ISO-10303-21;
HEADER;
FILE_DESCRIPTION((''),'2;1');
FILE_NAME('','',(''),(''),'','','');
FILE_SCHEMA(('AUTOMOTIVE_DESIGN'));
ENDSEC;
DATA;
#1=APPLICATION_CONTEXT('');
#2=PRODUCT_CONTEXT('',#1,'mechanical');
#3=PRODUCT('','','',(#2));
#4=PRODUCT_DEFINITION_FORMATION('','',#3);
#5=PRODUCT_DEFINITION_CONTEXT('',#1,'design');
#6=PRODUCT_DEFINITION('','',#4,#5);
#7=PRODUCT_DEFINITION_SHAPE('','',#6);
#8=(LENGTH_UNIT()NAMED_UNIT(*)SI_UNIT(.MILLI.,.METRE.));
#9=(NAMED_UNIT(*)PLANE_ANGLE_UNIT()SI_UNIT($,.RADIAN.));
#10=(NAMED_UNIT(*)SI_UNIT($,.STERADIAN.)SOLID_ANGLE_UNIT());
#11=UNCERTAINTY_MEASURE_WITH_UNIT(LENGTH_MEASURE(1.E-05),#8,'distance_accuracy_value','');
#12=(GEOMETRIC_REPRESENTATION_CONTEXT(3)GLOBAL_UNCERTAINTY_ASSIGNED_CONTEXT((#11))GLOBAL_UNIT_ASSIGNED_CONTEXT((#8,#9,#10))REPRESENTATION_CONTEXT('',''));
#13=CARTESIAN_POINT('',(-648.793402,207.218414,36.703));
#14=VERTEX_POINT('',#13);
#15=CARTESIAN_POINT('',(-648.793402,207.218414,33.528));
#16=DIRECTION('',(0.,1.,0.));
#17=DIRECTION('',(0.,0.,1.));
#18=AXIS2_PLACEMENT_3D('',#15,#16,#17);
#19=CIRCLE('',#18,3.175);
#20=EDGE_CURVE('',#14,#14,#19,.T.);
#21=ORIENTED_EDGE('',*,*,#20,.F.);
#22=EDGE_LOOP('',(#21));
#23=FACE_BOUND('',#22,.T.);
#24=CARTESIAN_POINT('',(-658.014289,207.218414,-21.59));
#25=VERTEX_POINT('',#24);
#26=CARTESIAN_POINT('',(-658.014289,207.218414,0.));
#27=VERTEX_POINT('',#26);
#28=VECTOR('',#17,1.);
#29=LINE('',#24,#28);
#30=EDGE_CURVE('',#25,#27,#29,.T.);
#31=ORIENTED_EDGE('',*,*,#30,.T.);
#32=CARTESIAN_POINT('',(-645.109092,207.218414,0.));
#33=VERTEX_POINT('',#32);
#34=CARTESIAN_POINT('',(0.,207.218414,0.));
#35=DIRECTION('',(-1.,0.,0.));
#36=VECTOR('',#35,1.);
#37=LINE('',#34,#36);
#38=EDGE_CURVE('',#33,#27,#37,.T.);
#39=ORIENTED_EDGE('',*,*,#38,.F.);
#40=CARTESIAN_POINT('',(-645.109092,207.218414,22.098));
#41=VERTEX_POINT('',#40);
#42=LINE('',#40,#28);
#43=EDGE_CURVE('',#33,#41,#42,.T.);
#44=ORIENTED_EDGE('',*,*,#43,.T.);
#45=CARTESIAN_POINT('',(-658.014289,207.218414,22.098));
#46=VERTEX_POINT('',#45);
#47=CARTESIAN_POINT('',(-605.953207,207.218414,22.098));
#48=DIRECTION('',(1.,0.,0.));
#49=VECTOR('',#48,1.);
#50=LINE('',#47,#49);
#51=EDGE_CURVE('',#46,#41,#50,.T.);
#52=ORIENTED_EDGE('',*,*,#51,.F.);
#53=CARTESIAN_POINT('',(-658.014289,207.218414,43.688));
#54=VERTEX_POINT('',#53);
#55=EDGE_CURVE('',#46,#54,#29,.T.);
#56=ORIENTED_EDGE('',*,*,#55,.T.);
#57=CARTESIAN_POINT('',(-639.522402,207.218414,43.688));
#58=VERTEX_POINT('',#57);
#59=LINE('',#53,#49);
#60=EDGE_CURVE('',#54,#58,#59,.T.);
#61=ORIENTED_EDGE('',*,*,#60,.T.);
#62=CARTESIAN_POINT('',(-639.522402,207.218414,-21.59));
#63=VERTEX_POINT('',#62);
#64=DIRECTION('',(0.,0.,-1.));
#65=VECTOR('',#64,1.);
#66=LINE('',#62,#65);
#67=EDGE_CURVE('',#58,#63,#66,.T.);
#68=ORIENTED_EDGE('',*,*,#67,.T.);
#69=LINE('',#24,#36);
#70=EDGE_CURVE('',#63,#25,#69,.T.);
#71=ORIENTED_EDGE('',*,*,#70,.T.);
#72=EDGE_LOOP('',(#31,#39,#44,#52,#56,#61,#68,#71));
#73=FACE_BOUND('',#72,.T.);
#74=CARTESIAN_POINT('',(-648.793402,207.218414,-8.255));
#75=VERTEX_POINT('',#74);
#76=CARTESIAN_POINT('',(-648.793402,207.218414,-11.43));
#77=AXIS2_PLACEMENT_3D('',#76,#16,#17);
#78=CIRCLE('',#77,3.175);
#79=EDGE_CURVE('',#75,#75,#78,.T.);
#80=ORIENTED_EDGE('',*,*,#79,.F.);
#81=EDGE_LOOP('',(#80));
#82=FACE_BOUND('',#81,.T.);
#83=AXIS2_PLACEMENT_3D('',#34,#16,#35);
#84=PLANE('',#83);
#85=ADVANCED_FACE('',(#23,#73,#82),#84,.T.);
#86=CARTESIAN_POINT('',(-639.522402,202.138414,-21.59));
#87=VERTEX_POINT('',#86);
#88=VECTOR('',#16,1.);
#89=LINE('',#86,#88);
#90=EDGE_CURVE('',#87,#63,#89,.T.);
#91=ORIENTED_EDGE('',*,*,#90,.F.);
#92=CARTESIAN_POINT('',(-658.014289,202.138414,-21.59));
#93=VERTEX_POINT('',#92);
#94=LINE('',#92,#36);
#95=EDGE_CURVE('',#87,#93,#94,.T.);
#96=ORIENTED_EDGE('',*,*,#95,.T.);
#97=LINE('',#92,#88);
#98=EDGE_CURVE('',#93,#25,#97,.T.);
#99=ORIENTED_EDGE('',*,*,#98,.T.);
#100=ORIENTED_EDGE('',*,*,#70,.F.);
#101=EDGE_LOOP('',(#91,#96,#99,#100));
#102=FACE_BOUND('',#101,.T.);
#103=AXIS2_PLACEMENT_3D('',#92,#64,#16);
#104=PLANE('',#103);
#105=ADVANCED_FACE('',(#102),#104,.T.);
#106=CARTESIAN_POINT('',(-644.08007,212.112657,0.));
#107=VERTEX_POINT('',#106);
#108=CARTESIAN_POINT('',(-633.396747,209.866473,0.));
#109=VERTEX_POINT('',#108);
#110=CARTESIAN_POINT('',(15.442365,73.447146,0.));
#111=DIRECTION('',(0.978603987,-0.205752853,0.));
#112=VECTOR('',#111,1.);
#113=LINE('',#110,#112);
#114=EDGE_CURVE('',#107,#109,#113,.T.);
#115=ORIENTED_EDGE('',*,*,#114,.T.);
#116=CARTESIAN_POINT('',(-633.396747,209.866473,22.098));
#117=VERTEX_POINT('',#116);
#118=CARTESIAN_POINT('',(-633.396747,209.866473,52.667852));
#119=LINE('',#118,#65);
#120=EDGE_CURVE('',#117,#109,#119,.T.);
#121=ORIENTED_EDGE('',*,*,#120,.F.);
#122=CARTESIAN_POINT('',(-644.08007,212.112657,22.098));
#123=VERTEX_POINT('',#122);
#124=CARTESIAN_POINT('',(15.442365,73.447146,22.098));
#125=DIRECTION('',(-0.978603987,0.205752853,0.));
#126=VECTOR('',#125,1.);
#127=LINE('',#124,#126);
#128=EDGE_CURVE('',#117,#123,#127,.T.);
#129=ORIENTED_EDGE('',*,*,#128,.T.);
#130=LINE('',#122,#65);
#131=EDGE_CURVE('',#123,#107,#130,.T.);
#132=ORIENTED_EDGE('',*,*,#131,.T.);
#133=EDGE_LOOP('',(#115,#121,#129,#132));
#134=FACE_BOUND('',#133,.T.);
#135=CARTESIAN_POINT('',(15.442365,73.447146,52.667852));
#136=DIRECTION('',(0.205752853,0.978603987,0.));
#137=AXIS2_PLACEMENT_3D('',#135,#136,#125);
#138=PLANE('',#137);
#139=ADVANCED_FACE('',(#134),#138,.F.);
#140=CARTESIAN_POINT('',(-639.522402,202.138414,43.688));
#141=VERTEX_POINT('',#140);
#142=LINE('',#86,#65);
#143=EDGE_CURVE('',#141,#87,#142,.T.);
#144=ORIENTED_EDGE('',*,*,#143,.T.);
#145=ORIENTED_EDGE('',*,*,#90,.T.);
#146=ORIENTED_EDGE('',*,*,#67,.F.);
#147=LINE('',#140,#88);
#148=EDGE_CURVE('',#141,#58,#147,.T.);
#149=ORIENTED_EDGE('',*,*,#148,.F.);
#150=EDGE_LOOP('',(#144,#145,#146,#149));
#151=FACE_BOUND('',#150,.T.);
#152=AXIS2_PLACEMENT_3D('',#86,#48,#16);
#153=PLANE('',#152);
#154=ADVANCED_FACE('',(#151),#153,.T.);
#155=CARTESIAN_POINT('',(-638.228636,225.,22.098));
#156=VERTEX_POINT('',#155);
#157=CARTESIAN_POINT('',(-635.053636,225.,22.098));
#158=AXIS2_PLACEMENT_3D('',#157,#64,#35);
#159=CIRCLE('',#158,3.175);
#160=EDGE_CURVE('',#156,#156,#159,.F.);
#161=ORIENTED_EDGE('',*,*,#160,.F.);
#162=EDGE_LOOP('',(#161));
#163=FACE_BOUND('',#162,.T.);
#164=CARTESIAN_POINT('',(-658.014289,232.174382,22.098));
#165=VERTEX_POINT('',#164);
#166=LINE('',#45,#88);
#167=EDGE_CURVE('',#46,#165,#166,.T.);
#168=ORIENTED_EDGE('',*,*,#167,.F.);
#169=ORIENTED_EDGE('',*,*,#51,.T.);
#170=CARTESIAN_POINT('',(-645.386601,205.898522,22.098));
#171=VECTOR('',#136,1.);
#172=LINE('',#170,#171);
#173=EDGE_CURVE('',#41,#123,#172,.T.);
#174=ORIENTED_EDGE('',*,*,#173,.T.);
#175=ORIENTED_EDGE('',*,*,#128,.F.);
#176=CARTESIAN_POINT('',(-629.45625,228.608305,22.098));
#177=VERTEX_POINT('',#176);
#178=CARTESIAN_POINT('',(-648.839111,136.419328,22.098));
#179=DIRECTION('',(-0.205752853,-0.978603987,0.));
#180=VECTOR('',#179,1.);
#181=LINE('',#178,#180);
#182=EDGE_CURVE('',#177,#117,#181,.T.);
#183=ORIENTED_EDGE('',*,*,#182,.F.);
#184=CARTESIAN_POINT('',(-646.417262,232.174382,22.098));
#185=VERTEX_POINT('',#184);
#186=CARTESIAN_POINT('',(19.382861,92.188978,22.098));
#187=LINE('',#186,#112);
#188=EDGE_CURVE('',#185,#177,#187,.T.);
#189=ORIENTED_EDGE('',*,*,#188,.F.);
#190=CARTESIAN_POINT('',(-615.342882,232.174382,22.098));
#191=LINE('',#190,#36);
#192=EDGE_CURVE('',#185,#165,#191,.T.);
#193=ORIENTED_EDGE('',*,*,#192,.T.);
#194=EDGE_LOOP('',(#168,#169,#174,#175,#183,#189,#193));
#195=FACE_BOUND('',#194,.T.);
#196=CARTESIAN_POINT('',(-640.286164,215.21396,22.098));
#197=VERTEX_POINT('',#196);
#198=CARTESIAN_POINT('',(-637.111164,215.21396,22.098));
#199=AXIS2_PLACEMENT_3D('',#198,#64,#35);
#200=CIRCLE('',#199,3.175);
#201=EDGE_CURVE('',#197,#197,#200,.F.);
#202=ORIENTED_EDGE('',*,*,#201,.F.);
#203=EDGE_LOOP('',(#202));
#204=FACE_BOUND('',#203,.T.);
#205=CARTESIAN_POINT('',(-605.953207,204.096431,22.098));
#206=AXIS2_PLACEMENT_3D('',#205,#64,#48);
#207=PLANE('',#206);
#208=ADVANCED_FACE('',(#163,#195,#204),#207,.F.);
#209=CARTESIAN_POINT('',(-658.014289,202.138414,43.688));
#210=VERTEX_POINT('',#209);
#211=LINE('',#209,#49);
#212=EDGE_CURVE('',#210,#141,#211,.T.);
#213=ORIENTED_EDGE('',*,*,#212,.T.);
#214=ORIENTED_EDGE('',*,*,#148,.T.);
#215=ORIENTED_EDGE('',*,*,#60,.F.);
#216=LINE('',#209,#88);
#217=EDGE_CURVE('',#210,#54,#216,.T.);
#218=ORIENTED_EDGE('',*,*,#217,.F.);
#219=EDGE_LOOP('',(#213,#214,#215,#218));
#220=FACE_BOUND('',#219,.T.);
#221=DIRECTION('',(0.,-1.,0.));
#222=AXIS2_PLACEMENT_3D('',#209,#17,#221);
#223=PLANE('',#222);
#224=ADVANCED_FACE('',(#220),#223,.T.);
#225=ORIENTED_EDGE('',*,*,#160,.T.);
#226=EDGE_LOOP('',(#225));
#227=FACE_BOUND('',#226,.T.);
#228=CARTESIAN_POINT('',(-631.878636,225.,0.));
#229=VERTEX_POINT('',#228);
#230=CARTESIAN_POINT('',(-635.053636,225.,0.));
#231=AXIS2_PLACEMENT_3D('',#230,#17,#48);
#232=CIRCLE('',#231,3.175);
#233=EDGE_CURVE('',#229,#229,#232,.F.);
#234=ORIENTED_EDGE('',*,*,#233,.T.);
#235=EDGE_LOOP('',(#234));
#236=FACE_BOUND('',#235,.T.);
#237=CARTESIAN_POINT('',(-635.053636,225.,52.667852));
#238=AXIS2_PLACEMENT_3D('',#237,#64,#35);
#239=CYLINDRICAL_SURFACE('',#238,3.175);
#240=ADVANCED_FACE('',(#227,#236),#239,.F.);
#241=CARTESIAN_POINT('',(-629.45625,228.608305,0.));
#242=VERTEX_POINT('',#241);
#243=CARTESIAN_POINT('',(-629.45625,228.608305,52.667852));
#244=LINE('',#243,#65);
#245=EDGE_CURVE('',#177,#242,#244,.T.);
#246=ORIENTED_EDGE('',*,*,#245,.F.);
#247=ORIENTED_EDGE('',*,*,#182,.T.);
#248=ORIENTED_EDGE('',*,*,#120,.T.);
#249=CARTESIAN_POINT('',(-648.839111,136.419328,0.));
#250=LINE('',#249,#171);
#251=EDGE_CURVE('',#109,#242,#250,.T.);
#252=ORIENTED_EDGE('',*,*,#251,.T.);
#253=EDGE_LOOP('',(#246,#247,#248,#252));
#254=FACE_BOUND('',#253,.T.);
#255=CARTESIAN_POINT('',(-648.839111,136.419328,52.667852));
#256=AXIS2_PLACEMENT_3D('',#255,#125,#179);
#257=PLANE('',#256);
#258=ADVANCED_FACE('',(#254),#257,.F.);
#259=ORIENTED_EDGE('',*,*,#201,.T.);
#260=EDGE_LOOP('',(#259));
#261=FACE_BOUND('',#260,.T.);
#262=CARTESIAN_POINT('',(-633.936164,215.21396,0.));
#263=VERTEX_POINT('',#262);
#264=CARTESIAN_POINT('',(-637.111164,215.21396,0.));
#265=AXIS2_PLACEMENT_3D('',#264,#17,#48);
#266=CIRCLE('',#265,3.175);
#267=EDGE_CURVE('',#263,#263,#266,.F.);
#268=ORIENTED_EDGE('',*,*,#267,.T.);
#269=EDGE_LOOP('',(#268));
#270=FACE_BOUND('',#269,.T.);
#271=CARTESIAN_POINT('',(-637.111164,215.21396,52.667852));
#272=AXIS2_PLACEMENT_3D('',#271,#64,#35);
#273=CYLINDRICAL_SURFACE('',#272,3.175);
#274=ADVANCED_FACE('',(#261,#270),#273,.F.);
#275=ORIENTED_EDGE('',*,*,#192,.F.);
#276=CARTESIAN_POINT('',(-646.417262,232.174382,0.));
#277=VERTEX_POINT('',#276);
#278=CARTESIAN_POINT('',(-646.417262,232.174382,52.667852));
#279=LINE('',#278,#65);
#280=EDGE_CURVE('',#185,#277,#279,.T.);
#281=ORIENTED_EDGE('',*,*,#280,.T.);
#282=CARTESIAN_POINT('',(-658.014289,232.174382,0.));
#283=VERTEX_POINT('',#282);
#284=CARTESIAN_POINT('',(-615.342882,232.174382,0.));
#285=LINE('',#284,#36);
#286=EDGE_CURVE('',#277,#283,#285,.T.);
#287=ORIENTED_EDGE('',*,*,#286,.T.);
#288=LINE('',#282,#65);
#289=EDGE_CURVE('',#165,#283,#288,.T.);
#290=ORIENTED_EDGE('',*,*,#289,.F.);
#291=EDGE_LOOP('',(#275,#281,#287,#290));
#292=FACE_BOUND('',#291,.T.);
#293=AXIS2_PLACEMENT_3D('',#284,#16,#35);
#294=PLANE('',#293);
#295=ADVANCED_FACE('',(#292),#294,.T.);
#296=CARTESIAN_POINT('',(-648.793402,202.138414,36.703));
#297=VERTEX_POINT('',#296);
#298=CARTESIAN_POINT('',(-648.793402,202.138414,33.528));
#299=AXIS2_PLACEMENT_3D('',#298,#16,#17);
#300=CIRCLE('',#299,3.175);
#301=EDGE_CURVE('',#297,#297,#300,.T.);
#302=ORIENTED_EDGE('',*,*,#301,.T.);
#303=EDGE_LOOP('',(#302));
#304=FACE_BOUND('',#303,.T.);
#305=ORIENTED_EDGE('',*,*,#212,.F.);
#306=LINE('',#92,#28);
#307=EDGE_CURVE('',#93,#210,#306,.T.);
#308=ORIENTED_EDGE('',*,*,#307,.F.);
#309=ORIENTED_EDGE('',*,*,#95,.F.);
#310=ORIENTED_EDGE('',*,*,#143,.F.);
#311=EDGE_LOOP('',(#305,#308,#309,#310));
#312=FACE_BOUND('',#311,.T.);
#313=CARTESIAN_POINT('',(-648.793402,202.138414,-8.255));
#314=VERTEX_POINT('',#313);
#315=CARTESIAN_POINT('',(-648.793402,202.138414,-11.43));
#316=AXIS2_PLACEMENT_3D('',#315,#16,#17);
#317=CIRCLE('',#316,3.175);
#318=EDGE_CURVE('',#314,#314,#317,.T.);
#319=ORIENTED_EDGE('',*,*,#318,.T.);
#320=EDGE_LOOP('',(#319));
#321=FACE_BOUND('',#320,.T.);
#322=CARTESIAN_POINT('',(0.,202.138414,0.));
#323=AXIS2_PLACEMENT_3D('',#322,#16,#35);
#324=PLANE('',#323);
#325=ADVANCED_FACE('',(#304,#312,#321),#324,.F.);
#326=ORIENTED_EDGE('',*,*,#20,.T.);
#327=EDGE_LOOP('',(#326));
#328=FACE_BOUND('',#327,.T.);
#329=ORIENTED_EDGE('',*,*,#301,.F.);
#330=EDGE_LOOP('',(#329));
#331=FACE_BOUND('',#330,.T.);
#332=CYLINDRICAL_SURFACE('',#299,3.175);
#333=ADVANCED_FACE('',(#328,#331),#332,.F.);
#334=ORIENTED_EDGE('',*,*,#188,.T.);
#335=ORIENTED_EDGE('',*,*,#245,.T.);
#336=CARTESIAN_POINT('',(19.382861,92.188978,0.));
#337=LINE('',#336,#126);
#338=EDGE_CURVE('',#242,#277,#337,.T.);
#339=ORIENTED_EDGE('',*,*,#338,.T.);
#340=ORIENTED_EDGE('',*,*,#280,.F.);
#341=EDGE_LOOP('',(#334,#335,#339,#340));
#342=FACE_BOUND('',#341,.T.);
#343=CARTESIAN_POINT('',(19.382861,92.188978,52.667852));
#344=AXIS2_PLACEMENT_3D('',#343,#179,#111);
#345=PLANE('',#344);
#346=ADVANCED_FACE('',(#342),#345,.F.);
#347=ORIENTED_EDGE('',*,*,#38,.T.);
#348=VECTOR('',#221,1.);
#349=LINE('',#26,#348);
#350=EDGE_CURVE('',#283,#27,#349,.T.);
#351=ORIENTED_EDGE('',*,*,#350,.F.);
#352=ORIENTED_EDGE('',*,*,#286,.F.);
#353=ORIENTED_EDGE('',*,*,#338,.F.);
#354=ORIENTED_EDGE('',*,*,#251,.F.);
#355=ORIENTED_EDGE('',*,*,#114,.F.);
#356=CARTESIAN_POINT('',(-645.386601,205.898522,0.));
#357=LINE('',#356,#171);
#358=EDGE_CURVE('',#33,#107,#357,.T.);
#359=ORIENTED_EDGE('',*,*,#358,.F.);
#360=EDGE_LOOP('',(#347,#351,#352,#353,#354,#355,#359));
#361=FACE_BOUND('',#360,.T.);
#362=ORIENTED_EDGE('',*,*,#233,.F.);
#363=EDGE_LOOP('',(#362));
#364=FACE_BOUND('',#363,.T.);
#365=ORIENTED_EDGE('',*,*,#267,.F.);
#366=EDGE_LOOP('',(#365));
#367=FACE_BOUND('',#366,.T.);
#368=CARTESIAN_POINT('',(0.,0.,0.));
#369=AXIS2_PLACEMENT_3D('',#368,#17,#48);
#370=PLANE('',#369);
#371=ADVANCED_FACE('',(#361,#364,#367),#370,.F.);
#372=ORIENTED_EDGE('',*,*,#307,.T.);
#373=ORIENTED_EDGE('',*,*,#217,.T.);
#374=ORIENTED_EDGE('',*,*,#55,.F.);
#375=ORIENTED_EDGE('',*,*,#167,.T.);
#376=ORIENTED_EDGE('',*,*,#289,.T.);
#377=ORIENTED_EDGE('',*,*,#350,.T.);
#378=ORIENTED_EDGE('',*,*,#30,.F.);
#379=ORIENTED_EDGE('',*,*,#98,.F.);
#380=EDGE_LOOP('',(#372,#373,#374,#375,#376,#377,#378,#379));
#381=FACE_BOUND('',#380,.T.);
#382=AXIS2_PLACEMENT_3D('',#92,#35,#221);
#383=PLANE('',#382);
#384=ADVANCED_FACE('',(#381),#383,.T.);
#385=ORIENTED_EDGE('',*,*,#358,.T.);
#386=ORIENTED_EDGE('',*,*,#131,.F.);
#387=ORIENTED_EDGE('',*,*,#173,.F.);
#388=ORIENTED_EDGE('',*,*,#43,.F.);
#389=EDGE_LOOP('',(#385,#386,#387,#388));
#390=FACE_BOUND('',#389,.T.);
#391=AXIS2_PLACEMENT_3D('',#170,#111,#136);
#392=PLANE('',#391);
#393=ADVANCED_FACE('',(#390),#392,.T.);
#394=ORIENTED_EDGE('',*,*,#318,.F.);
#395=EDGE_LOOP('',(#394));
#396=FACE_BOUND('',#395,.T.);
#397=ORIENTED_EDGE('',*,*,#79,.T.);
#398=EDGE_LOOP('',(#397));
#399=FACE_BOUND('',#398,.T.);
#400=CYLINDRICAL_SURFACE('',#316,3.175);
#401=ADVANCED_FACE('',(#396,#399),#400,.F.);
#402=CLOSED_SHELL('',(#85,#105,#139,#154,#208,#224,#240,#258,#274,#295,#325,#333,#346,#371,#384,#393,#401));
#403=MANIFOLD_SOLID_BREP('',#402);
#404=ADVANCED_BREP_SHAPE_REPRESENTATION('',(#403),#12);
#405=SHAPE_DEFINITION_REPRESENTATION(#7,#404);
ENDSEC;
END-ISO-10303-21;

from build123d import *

# Parameters (mm, degrees)
SKETCH2_R           = 3.175
BOSS_EXTRUDE1_DEPTH = 22.098
SKETCH3_W           = 6.414942463
SKETCH3_H           = 22.098
BOSS_EXTRUDE2_DEPTH = 6.35
SKETCH5_W           = 18.491886748
SKETCH5_H           = 65.278
SKETCH5_R           = 3.175
BOSS_EXTRUDE4_DEPTH = 5.08
BOSS_EXTRUDE7_REACH = 239.969
SKETCH7_W           = 22.098
SKETCH7_H           = 24.955967439


with BuildPart() as part:
    # Sketch2 → Boss-Extrude1 (new body)
    with BuildSketch(Plane.XY):
        Polygon((-633.396746705, 209.866473294), (-629.456250373, 228.608305414), (-646.417262265, 232.174381811), (-650.357758597, 213.432549691), align=None)
        with Locations(Location((-637.11116423, 215.213960129, 0), (0, 0, 180))):
            Circle(SKETCH2_R, mode=Mode.SUBTRACT)
        with Locations(Location((-635.053635704, 225, 0), (0, 0, 180))):
            Circle(SKETCH2_R, mode=Mode.SUBTRACT)
    extrude(amount=BOSS_EXTRUDE1_DEPTH)

    # Sketch3 → Boss-Extrude2 (add)
    with BuildSketch(Plane(origin=(15.442364745, 73.44714554, 0), x_dir=(0.9786039871389689, -0.20575285260650172, 0), z_dir=(-0.20575285260650172, -0.9786039871389689, 0))):
        with Locations((-677.149580337, 11.049)):
            Rectangle(SKETCH3_W, SKETCH3_H)
    extrude(amount=BOSS_EXTRUDE2_DEPTH)

    # Sketch5 → Boss-Extrude4 (add)
    with BuildSketch(Plane(origin=(0, 207.218414372, 0), x_dir=(1, 0, 0), z_dir=(0, 1, 0))):
        with Locations((-648.768345837, -11.049)):
            Rectangle(SKETCH5_W, SKETCH5_H)
        with Locations(Location((-648.793402463, -33.528, 0), (0, 0, 270))):
            Circle(SKETCH5_R, mode=Mode.SUBTRACT)
        with Locations(Location((-648.793402463, 11.43, 0), (0, 0, 270))):
            Circle(SKETCH5_R, mode=Mode.SUBTRACT)
    extrude(amount=-BOSS_EXTRUDE4_DEPTH)

    # Boss-Extrude7: up to this face of the body (flat: up to its plane)
    boss_extrude7_end = Plane(part.part.faces().sort_by_distance((-649.040775738, 219.696398091, 11.049))[0])
    # Sketch7 → Boss-Extrude7 (add, up to the picked face)
    with BuildSketch(Plane.ZY.offset(658.014289211), mode=Mode.PRIVATE) as boss_extrude7_sk1:
        with Locations((11.049, 219.696398092)):
            Rectangle(SKETCH7_W, SKETCH7_H)
    boss_extrude7_tool1 = split(extrude(boss_extrude7_sk1.sketch, amount=-BOSS_EXTRUDE7_REACH, mode=Mode.PRIVATE), bisect_by=boss_extrude7_end, keep=Keep.BOTH, mode=Mode.PRIVATE)
    add(boss_extrude7_tool1.solids().sort_by(Axis((-658.014289, 219.696398, 11.049), (1, 0, 0)))[0])


solid = part.part
